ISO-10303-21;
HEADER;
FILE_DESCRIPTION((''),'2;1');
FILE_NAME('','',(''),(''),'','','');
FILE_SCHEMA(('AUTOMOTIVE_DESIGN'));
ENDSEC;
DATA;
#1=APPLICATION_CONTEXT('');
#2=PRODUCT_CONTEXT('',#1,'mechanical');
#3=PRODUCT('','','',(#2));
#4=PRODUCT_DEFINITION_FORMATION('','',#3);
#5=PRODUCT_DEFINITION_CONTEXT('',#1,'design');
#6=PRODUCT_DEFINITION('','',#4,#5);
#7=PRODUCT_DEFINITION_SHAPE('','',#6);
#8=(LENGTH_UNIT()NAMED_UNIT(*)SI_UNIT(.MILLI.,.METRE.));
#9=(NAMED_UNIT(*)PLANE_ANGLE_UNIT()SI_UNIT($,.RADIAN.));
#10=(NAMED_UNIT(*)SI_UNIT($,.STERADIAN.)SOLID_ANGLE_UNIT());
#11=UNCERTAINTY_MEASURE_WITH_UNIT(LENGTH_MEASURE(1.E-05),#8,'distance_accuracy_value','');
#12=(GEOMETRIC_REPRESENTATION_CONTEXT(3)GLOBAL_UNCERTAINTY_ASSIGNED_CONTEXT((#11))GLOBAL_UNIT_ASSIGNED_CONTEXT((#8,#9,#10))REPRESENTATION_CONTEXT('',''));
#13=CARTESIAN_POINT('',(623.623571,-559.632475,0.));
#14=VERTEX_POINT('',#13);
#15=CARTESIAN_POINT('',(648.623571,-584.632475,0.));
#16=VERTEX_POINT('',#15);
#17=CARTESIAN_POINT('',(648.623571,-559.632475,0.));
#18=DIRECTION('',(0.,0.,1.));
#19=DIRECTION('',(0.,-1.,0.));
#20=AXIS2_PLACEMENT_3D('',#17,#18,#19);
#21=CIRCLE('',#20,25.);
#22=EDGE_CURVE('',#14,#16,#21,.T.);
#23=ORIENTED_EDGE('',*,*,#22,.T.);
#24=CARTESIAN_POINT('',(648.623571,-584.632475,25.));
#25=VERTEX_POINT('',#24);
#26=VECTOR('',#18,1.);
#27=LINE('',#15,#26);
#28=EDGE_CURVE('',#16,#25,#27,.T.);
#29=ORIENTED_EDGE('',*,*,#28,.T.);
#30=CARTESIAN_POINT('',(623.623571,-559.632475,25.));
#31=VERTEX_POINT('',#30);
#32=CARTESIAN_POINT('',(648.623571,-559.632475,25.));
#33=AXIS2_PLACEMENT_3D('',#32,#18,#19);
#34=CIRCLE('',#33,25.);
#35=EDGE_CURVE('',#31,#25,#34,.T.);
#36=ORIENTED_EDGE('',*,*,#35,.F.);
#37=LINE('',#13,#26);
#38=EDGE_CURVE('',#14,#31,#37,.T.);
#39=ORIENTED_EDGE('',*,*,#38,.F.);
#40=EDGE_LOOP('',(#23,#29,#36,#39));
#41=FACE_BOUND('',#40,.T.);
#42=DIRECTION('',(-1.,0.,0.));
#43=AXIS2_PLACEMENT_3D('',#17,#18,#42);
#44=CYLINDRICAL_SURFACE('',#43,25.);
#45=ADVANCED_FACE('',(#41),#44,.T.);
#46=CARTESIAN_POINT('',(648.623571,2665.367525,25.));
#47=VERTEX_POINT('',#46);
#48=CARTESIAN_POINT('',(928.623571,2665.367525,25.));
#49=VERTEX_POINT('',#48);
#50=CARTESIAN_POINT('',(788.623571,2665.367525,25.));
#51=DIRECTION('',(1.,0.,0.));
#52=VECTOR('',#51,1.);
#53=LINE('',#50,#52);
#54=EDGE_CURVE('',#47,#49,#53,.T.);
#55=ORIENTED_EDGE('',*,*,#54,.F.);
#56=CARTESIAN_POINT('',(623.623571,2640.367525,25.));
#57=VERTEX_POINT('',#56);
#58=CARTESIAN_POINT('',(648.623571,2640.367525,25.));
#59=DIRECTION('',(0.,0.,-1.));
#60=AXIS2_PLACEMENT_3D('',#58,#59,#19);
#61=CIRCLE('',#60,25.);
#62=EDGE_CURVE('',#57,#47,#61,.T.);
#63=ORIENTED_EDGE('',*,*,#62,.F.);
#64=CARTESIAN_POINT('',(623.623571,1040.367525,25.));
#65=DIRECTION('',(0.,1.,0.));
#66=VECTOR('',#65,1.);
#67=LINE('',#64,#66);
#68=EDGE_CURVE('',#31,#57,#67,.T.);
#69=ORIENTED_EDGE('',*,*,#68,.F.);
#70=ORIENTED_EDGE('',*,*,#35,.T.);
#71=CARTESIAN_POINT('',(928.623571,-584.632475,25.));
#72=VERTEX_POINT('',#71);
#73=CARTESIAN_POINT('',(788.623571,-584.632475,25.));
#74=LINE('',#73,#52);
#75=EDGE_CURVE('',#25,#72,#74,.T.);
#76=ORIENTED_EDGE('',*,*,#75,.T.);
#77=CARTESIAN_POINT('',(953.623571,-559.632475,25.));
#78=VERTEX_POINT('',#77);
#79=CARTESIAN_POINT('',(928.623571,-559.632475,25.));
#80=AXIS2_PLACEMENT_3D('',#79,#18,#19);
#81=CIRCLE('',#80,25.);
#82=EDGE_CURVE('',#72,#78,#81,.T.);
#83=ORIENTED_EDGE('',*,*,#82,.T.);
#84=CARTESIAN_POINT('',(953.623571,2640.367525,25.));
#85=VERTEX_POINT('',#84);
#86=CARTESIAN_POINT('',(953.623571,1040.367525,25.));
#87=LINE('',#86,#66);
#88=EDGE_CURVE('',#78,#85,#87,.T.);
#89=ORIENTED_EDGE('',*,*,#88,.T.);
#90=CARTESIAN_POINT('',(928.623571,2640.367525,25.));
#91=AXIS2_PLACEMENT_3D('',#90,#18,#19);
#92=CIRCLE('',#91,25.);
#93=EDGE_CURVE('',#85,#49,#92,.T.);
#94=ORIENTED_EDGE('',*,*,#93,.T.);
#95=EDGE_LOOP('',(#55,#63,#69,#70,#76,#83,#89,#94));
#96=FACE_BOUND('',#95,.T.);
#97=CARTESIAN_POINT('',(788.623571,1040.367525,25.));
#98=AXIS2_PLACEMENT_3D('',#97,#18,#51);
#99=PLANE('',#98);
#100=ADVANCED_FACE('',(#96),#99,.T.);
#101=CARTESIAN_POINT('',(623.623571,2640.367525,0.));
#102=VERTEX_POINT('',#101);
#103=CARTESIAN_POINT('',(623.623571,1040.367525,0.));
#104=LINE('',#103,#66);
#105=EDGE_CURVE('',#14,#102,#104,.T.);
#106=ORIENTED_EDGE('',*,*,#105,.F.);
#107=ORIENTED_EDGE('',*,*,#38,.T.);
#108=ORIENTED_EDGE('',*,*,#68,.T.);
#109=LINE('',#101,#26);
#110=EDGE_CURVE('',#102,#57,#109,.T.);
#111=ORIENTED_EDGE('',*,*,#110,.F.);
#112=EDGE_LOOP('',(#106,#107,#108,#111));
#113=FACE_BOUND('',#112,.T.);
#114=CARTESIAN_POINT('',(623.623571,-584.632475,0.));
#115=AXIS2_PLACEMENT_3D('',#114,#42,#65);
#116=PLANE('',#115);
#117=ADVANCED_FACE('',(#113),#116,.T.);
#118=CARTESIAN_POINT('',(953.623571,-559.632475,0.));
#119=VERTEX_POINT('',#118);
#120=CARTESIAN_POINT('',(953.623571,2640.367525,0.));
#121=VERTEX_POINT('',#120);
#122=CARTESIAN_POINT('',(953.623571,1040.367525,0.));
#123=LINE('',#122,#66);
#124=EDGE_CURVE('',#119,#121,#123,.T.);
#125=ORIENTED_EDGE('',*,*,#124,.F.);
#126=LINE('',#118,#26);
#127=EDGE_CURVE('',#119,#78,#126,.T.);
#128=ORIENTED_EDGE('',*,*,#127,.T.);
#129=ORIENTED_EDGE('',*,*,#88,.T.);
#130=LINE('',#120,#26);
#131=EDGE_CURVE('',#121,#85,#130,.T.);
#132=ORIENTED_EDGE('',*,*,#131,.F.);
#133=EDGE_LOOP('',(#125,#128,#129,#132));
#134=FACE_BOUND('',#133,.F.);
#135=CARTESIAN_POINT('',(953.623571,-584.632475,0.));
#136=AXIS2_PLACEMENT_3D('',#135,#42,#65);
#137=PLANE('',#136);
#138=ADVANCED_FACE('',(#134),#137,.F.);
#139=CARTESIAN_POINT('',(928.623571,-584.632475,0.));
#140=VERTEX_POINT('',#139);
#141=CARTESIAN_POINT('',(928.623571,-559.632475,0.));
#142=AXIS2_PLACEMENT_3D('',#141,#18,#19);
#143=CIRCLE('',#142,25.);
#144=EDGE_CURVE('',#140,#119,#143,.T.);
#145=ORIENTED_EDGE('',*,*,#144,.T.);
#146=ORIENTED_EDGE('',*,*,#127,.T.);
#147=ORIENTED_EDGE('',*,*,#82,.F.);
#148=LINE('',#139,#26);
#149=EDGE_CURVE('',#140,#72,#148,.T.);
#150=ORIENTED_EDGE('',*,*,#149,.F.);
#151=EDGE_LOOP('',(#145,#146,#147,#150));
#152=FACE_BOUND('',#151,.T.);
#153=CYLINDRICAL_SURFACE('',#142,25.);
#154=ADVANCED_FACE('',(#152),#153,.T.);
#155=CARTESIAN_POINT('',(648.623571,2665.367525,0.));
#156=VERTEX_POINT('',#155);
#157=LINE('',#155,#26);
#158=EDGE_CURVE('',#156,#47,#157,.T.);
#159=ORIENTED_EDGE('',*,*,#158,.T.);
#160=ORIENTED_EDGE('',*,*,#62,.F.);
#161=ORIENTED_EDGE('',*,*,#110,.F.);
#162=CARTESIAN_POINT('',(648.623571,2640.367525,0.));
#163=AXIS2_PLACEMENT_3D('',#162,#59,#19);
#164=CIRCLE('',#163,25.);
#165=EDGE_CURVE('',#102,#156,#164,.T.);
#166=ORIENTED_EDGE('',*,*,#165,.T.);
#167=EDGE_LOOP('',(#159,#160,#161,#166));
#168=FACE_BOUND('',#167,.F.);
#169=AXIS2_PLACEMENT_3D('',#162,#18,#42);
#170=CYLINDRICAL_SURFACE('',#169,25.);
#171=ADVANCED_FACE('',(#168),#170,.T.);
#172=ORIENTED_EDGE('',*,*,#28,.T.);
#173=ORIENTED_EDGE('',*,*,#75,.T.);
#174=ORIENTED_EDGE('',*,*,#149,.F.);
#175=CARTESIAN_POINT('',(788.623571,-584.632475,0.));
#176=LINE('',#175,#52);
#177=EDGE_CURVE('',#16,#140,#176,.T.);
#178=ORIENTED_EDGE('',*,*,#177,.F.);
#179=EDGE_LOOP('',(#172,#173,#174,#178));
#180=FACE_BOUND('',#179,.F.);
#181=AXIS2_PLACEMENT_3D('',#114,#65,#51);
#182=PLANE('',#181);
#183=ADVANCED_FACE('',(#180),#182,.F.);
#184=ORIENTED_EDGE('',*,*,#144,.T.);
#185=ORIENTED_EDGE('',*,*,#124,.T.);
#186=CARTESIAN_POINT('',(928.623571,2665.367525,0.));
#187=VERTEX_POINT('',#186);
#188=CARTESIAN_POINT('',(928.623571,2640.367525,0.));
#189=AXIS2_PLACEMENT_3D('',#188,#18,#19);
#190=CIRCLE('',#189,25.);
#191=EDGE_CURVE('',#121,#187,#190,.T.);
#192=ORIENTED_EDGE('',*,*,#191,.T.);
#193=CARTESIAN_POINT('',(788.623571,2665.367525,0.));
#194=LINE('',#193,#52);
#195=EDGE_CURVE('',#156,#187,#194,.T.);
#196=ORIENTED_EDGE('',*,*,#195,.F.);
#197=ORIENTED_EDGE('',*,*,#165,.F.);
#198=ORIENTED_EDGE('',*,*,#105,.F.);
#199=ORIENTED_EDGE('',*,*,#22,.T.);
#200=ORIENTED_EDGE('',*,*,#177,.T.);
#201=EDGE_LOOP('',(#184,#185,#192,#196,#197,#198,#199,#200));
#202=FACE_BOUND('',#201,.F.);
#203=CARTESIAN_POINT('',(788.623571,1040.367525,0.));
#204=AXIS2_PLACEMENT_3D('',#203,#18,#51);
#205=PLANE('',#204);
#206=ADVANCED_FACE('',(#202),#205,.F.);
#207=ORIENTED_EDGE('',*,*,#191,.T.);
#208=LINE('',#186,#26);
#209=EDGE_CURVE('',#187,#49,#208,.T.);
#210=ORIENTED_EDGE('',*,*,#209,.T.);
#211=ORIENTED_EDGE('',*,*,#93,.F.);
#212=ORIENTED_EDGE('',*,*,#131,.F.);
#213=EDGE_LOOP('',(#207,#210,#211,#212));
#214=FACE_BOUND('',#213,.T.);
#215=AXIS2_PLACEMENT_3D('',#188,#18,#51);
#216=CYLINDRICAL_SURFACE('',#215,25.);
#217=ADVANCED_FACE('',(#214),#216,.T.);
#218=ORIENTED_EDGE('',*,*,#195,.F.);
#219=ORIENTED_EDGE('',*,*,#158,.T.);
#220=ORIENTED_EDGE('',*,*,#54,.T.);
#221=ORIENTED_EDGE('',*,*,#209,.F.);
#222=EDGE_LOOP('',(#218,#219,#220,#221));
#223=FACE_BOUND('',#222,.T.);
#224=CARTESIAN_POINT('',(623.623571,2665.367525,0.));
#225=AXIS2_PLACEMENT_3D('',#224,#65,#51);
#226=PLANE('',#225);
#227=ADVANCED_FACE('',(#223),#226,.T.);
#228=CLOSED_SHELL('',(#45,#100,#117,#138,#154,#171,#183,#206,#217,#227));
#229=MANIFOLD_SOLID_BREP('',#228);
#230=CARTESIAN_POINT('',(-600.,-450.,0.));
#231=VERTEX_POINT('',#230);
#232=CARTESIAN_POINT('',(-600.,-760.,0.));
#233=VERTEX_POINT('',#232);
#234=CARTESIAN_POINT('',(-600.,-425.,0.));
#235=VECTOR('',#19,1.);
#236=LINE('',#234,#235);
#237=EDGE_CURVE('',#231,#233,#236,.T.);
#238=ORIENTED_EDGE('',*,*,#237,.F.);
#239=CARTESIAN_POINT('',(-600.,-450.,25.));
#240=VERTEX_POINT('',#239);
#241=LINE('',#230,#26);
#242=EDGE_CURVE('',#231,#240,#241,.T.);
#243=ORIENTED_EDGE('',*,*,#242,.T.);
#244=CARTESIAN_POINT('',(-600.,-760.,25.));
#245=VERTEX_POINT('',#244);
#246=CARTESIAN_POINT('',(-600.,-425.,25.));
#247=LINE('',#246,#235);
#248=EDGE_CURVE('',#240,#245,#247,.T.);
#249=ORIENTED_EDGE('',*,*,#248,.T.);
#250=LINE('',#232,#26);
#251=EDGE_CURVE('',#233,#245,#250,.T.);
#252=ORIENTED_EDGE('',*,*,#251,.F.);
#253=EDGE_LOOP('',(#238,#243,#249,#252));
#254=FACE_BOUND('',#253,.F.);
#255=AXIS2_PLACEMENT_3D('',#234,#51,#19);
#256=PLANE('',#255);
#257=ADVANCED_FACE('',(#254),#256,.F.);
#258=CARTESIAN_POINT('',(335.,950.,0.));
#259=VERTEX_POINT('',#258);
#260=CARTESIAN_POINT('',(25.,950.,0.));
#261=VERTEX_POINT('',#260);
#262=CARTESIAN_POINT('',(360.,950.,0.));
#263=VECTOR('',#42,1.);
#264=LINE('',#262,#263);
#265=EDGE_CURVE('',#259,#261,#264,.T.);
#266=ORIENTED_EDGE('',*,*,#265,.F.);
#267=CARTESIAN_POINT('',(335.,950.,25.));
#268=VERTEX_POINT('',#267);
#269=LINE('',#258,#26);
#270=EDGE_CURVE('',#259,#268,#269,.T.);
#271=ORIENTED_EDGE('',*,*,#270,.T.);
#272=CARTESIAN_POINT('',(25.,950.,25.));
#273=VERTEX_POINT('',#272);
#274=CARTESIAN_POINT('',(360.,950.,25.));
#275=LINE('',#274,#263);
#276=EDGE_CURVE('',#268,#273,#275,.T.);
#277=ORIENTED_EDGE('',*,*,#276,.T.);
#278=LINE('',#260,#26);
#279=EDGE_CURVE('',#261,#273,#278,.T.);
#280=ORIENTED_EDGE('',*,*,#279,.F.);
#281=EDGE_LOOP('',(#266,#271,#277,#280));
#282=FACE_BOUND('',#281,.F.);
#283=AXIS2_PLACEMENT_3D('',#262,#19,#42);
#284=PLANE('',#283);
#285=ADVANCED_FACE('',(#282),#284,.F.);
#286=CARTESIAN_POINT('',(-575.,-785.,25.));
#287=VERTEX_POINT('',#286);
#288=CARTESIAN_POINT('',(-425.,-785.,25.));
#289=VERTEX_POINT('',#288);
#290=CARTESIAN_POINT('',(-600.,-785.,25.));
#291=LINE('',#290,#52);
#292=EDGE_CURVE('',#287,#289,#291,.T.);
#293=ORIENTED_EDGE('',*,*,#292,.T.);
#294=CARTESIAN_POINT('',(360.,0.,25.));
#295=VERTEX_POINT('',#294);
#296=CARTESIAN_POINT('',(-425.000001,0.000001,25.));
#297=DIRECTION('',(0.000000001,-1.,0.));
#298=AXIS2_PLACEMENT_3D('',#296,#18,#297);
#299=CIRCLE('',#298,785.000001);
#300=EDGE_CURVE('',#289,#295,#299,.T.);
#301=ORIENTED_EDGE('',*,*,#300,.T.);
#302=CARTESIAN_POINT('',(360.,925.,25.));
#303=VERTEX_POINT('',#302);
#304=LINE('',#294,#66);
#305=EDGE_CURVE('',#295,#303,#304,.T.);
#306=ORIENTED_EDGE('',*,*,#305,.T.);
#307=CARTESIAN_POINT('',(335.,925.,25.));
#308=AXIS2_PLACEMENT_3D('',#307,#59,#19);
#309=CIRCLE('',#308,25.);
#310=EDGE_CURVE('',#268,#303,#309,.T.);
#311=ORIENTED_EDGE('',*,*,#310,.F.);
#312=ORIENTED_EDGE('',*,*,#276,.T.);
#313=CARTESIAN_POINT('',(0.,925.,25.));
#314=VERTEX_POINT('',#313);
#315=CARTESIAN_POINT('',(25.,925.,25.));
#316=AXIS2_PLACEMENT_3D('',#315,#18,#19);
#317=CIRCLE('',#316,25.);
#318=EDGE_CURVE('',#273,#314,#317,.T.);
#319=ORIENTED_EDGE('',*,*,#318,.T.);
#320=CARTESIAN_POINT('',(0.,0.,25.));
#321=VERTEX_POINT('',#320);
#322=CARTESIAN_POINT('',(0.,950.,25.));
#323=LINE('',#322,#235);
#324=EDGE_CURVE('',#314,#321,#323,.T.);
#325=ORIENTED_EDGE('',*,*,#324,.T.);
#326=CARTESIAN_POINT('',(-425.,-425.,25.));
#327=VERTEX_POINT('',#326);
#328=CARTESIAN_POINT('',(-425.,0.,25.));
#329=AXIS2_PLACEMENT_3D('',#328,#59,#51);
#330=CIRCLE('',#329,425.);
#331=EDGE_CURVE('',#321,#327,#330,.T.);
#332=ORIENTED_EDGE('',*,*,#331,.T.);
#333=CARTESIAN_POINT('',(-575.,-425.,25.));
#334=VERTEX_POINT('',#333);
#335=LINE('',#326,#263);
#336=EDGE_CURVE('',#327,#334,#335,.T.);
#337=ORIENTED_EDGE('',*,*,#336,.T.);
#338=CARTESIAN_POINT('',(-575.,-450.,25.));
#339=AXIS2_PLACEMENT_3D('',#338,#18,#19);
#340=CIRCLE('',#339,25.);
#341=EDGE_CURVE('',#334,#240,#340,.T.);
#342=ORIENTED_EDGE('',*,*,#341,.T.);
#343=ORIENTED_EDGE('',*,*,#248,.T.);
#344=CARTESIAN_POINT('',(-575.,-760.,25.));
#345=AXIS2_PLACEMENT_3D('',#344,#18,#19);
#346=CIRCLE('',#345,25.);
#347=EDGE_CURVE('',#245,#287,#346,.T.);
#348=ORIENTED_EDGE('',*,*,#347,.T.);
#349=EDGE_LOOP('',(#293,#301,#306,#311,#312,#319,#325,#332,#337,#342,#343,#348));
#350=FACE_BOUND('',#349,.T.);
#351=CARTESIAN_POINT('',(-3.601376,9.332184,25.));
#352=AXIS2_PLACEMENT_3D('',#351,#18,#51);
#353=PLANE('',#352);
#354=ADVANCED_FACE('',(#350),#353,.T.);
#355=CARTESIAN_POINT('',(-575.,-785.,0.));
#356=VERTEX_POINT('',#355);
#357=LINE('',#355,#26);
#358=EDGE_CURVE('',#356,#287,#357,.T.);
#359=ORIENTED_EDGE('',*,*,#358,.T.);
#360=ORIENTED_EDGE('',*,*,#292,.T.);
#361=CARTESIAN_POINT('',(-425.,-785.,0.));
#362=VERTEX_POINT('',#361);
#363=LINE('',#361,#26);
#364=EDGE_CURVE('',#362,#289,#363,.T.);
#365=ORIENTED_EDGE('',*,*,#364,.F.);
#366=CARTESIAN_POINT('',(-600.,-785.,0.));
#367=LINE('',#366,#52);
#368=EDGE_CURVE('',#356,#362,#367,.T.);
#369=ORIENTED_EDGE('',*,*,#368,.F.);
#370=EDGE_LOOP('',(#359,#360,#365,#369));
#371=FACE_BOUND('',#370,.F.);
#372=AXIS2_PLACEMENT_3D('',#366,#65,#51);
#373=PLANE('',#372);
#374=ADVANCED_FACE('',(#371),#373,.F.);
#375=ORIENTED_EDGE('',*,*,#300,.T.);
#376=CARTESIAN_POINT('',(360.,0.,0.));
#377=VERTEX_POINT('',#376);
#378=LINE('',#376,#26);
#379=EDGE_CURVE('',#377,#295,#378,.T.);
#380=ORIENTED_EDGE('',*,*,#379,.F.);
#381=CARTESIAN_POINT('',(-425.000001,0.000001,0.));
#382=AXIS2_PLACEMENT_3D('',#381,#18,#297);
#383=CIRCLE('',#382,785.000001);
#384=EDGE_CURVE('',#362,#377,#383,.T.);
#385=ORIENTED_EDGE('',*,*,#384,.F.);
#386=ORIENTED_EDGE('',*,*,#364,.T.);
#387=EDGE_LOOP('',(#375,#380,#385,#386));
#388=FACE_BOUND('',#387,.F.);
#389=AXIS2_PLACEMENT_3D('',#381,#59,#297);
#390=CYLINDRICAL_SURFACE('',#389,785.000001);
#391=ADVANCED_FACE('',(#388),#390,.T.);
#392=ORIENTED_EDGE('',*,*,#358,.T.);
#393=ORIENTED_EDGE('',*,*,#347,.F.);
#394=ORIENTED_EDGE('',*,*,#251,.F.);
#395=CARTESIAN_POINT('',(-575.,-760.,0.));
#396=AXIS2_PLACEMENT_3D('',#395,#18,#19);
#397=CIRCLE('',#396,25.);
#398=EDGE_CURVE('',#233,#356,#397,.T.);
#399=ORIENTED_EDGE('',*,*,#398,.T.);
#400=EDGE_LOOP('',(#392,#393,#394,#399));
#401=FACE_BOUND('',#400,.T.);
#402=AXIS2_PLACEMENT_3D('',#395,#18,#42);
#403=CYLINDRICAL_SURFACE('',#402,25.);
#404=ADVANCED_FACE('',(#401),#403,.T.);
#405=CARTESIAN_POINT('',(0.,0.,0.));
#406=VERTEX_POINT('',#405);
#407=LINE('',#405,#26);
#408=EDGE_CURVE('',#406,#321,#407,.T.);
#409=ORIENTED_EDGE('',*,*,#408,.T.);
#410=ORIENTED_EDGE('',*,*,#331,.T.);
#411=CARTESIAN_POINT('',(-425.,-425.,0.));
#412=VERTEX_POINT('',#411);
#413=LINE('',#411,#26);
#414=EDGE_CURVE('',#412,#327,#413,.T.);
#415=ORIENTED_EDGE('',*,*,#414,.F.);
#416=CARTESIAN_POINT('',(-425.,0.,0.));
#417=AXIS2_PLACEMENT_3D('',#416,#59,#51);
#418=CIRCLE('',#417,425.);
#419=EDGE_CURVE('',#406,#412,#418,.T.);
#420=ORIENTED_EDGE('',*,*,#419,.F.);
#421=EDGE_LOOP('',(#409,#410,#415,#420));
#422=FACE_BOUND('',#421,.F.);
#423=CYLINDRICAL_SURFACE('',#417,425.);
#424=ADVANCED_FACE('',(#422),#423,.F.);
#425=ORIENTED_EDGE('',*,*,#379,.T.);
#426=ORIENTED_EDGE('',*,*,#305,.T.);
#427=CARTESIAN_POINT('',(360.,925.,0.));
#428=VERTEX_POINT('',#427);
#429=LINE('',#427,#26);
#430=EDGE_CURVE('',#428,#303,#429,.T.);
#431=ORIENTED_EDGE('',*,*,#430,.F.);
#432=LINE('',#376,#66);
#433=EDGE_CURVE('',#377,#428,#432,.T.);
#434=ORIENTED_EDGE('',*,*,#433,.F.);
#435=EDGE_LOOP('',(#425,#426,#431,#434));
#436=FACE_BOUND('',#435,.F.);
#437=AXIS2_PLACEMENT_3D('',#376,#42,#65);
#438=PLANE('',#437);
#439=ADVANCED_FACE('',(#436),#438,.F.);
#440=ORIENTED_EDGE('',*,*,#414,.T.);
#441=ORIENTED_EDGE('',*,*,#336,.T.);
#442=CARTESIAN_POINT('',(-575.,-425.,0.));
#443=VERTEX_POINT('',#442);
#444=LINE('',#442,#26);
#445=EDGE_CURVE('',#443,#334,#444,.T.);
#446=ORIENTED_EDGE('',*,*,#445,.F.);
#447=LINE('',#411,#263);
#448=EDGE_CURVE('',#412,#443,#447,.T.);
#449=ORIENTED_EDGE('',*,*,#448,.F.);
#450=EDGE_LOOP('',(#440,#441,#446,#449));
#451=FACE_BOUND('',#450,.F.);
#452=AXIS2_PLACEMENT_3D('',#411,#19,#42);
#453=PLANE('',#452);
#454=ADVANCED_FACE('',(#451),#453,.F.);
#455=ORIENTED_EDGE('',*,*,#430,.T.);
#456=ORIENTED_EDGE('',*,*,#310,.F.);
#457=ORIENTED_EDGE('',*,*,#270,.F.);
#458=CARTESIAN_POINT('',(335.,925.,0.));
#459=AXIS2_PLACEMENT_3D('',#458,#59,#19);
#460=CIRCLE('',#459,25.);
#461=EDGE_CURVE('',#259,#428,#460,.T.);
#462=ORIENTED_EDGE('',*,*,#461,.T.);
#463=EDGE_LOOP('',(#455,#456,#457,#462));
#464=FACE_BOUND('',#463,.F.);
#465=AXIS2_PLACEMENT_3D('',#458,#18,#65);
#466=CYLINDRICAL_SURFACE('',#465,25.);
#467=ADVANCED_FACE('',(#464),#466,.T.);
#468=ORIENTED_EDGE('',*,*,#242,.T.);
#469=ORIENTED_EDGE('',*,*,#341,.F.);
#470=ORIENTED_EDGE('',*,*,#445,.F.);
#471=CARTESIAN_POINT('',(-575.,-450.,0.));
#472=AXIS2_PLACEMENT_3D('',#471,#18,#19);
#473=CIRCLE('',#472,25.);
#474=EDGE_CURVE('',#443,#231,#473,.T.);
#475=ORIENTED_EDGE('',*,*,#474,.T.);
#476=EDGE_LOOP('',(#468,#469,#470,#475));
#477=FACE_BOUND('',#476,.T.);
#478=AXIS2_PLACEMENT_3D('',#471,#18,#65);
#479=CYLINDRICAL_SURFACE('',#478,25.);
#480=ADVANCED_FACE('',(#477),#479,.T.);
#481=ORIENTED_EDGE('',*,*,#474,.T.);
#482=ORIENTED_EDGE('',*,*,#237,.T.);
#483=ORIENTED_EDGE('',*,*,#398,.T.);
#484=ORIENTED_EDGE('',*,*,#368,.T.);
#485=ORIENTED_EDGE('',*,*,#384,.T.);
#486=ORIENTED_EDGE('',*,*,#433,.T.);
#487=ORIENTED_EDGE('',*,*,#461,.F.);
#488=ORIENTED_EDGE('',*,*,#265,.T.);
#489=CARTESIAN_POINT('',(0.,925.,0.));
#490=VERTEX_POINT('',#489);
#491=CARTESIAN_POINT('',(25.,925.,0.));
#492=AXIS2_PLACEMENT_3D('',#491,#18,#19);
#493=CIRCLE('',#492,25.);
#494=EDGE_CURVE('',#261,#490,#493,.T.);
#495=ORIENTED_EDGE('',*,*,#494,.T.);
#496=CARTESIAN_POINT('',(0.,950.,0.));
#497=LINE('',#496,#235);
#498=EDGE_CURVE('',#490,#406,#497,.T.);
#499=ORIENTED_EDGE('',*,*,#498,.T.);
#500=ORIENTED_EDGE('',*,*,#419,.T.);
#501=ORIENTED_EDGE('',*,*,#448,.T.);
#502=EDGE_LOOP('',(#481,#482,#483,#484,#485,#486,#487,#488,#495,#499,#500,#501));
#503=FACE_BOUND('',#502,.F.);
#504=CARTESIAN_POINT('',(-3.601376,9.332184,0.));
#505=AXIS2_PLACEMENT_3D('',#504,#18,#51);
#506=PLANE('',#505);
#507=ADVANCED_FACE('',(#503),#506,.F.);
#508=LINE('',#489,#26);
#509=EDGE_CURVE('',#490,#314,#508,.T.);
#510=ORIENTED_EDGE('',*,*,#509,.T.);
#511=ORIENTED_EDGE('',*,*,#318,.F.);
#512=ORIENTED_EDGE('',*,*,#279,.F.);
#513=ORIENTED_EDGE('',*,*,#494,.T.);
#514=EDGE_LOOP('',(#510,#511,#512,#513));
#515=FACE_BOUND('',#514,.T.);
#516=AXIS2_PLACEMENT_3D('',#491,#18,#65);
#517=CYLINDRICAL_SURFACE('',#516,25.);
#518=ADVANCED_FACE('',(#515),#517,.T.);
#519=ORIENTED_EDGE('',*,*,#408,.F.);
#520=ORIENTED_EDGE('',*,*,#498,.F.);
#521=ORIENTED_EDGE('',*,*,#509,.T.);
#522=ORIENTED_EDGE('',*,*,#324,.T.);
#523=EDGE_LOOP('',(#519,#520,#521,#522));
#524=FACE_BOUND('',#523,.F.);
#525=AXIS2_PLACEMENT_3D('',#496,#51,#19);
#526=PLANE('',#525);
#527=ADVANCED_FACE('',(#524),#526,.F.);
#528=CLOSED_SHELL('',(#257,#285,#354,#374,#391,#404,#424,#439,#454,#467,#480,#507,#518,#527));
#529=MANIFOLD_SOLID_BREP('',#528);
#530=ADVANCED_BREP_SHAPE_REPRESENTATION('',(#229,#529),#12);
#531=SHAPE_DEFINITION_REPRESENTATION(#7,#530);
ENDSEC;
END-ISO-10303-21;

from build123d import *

# Parameters (mm, degrees)
F1_DEPTH = 25
F2_R     = 25
F3_W     = 330
F3_H     = 3250
F4_DEPTH = 25
F5_R     = 25


with BuildPart() as f1:
    # F0 (on Top) → F1 (new body)
    with BuildSketch(Plane.XY):
        with BuildLine():
            Line((360, 950), (0, 950))
            Line((0, 950), (0, 0))
            ThreePointArc((0, 0), (-124.479618, -300.520382), (-425, -425))
            Line((-425, -425), (-600, -425))
            Line((-600, -425), (-600, -785))
            Line((-600, -785), (-425, -785))
            ThreePointArc((-425, -785), (130.078823, -555.078823), (360, 0))
            Line((360, 0), (360, 950))
        make_face()
    extrude(amount=F1_DEPTH)

    # F2
    f2_edges = [f1.edges().sort_by_distance(p)[0] for p in [
        (0, 950, 12.5),
        (360, 950, 12.5),
        (-600, -785, 12.5),
        (-600, -425, 12.5),
    ]]
    fillet(f2_edges, radius=F2_R)


with BuildPart() as f4:
    # F3 (on Top) → F4 (new body)
    with BuildSketch(Plane.XY):
        with Locations((788.623571, 1040.367525)):
            Rectangle(F3_W, F3_H)
    extrude(amount=F4_DEPTH)

    # F5
    f5_edges = [f4.edges().sort_by_distance(p)[0] for p in [
        (623.623571, 2665.367525, 12.5),
        (953.623571, 2665.367525, 12.5),
        (953.623571, -584.632475, 12.5),
        (623.623571, -584.632475, 12.5),
    ]]
    fillet(f5_edges, radius=F5_R)


solid = Compound([f1.part, f4.part])
